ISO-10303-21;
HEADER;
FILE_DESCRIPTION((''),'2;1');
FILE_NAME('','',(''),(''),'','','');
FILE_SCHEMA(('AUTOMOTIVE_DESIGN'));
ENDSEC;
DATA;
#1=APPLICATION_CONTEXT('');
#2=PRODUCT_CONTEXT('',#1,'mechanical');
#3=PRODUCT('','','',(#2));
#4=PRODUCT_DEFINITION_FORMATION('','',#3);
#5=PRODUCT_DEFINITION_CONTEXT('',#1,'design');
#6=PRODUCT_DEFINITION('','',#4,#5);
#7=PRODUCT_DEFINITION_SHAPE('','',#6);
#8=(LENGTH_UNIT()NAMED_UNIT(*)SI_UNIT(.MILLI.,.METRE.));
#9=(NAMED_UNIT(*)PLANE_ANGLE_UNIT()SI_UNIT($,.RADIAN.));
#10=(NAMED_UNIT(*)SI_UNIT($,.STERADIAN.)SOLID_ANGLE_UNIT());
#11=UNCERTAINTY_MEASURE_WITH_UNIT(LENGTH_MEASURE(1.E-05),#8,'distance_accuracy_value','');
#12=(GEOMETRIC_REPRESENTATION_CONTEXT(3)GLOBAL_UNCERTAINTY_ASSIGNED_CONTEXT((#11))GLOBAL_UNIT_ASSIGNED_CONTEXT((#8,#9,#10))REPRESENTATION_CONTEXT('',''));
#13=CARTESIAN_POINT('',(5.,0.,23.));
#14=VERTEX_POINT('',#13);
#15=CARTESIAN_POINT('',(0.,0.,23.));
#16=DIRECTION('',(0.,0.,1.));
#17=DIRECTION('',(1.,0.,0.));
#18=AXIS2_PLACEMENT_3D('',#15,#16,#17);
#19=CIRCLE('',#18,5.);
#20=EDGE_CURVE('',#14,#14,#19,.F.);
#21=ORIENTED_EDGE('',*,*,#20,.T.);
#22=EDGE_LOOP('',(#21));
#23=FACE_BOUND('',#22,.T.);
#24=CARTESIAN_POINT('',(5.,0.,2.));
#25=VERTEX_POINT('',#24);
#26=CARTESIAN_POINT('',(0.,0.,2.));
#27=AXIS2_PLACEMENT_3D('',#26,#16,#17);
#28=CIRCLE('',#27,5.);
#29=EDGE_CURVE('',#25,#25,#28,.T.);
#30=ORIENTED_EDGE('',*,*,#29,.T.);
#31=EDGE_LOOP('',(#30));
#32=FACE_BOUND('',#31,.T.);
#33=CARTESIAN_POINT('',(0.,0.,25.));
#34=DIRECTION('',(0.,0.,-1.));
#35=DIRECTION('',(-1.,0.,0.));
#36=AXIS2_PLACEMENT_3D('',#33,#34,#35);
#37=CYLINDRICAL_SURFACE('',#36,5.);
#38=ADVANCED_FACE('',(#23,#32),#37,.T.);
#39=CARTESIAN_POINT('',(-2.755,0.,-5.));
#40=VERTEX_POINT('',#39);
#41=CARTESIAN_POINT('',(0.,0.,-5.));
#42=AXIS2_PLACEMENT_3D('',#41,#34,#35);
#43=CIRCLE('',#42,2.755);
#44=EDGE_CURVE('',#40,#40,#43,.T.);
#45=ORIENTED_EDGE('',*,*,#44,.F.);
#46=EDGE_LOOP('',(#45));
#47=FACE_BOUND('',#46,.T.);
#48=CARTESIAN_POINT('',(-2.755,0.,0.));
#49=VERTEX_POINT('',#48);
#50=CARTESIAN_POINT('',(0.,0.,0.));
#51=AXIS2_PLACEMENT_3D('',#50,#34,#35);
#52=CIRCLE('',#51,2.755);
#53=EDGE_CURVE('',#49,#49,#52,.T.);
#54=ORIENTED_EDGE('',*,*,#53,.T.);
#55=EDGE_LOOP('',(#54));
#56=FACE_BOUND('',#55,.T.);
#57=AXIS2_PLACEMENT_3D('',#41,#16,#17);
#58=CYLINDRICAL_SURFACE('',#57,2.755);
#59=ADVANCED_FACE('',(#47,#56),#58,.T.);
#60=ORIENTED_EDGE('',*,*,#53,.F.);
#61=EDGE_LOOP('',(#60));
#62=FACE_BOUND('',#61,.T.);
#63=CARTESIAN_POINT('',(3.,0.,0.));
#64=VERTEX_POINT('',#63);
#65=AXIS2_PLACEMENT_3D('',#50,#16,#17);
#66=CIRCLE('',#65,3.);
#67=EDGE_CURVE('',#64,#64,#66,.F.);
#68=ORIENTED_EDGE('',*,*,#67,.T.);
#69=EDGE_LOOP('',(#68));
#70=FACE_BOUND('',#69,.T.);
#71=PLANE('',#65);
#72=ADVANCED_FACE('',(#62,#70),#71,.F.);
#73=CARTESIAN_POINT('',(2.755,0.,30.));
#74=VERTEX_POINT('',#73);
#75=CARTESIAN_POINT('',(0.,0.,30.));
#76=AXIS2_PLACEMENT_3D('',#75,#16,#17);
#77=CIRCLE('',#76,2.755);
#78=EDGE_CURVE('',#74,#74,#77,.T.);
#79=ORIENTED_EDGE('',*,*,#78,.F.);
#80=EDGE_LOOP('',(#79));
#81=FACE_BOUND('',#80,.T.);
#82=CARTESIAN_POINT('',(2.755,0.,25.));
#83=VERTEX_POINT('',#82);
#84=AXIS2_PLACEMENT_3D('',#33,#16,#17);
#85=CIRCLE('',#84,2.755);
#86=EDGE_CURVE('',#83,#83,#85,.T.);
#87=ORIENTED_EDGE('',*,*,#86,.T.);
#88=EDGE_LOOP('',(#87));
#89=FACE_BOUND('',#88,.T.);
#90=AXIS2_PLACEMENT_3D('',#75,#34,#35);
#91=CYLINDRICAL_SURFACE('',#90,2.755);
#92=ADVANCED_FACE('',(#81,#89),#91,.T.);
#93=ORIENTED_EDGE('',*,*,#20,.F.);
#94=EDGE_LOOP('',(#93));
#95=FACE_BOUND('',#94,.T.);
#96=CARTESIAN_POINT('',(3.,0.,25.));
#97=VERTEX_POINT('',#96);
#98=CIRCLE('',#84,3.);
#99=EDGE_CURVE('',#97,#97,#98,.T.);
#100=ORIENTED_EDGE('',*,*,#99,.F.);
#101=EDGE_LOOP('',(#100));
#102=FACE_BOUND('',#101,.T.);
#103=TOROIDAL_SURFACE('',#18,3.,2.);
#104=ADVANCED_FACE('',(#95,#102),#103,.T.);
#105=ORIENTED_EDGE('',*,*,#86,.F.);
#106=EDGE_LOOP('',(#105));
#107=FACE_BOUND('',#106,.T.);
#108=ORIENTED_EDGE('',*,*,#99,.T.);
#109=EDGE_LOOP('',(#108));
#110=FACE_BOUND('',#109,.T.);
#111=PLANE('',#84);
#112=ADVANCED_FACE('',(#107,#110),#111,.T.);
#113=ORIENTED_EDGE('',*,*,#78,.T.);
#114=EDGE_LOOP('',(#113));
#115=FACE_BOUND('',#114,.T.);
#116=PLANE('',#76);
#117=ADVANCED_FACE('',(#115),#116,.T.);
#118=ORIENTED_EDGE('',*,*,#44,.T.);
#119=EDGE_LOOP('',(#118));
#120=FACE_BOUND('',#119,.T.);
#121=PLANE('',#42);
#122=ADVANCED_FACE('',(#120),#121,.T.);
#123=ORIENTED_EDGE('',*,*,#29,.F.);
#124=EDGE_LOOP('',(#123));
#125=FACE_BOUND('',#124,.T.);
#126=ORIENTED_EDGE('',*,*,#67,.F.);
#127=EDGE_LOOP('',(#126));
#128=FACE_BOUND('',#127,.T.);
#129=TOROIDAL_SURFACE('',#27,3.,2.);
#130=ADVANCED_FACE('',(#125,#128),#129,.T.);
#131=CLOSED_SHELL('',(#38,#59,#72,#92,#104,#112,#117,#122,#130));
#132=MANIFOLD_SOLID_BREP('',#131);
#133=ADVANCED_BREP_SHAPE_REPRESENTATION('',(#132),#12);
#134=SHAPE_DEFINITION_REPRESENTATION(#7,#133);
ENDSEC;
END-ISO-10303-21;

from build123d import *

# Parameters (mm, degrees)
ESQUISSE1_R        = 5
BOSS_EXTRU_1_DEPTH = 25
ESQUISSE2_R        = 2.755
BOSS_EXTRU_2_DEPTH = 5
BOSS_EXTRU_3_START = 5
ESQUISSE3_R        = 2.755
BOSS_EXTRU_3_DEPTH = 5
CONG_2_R           = 2
CONG_3_R           = 2


with BuildPart() as part:
    # Esquisse1 → Boss.-Extru.1 (new body)
    with BuildSketch(Plane.XY):
        Circle(ESQUISSE1_R)
    extrude(amount=BOSS_EXTRU_1_DEPTH)

    # Esquisse2 → Boss.-Extru.2 (add)
    with BuildSketch(Plane.XY.offset(25)):
        Circle(ESQUISSE2_R)
    extrude(amount=BOSS_EXTRU_2_DEPTH)

    # Esquisse3 → Boss.-Extru.3 (add)
    with BuildSketch(Plane(origin=(0, 0, 0), x_dir=(-1, 0, 0), z_dir=(0, 0, -1)).offset(BOSS_EXTRU_3_START)):
        with Locations(Location((0, 0, 0), (0, 0, 180))):
            Circle(ESQUISSE3_R)
    extrude(amount=-BOSS_EXTRU_3_DEPTH)

    # Congé2
    cong_2_edges = [part.edges().sort_by_distance(p)[0] for p in [
        (-5, 0, 0),
    ]]
    fillet(cong_2_edges, radius=CONG_2_R)

    # Congé3
    cong_3_edges = [part.edges().sort_by_distance(p)[0] for p in [
        (-5, 0, 25),
    ]]
    fillet(cong_3_edges, radius=CONG_3_R)


solid = part.part
